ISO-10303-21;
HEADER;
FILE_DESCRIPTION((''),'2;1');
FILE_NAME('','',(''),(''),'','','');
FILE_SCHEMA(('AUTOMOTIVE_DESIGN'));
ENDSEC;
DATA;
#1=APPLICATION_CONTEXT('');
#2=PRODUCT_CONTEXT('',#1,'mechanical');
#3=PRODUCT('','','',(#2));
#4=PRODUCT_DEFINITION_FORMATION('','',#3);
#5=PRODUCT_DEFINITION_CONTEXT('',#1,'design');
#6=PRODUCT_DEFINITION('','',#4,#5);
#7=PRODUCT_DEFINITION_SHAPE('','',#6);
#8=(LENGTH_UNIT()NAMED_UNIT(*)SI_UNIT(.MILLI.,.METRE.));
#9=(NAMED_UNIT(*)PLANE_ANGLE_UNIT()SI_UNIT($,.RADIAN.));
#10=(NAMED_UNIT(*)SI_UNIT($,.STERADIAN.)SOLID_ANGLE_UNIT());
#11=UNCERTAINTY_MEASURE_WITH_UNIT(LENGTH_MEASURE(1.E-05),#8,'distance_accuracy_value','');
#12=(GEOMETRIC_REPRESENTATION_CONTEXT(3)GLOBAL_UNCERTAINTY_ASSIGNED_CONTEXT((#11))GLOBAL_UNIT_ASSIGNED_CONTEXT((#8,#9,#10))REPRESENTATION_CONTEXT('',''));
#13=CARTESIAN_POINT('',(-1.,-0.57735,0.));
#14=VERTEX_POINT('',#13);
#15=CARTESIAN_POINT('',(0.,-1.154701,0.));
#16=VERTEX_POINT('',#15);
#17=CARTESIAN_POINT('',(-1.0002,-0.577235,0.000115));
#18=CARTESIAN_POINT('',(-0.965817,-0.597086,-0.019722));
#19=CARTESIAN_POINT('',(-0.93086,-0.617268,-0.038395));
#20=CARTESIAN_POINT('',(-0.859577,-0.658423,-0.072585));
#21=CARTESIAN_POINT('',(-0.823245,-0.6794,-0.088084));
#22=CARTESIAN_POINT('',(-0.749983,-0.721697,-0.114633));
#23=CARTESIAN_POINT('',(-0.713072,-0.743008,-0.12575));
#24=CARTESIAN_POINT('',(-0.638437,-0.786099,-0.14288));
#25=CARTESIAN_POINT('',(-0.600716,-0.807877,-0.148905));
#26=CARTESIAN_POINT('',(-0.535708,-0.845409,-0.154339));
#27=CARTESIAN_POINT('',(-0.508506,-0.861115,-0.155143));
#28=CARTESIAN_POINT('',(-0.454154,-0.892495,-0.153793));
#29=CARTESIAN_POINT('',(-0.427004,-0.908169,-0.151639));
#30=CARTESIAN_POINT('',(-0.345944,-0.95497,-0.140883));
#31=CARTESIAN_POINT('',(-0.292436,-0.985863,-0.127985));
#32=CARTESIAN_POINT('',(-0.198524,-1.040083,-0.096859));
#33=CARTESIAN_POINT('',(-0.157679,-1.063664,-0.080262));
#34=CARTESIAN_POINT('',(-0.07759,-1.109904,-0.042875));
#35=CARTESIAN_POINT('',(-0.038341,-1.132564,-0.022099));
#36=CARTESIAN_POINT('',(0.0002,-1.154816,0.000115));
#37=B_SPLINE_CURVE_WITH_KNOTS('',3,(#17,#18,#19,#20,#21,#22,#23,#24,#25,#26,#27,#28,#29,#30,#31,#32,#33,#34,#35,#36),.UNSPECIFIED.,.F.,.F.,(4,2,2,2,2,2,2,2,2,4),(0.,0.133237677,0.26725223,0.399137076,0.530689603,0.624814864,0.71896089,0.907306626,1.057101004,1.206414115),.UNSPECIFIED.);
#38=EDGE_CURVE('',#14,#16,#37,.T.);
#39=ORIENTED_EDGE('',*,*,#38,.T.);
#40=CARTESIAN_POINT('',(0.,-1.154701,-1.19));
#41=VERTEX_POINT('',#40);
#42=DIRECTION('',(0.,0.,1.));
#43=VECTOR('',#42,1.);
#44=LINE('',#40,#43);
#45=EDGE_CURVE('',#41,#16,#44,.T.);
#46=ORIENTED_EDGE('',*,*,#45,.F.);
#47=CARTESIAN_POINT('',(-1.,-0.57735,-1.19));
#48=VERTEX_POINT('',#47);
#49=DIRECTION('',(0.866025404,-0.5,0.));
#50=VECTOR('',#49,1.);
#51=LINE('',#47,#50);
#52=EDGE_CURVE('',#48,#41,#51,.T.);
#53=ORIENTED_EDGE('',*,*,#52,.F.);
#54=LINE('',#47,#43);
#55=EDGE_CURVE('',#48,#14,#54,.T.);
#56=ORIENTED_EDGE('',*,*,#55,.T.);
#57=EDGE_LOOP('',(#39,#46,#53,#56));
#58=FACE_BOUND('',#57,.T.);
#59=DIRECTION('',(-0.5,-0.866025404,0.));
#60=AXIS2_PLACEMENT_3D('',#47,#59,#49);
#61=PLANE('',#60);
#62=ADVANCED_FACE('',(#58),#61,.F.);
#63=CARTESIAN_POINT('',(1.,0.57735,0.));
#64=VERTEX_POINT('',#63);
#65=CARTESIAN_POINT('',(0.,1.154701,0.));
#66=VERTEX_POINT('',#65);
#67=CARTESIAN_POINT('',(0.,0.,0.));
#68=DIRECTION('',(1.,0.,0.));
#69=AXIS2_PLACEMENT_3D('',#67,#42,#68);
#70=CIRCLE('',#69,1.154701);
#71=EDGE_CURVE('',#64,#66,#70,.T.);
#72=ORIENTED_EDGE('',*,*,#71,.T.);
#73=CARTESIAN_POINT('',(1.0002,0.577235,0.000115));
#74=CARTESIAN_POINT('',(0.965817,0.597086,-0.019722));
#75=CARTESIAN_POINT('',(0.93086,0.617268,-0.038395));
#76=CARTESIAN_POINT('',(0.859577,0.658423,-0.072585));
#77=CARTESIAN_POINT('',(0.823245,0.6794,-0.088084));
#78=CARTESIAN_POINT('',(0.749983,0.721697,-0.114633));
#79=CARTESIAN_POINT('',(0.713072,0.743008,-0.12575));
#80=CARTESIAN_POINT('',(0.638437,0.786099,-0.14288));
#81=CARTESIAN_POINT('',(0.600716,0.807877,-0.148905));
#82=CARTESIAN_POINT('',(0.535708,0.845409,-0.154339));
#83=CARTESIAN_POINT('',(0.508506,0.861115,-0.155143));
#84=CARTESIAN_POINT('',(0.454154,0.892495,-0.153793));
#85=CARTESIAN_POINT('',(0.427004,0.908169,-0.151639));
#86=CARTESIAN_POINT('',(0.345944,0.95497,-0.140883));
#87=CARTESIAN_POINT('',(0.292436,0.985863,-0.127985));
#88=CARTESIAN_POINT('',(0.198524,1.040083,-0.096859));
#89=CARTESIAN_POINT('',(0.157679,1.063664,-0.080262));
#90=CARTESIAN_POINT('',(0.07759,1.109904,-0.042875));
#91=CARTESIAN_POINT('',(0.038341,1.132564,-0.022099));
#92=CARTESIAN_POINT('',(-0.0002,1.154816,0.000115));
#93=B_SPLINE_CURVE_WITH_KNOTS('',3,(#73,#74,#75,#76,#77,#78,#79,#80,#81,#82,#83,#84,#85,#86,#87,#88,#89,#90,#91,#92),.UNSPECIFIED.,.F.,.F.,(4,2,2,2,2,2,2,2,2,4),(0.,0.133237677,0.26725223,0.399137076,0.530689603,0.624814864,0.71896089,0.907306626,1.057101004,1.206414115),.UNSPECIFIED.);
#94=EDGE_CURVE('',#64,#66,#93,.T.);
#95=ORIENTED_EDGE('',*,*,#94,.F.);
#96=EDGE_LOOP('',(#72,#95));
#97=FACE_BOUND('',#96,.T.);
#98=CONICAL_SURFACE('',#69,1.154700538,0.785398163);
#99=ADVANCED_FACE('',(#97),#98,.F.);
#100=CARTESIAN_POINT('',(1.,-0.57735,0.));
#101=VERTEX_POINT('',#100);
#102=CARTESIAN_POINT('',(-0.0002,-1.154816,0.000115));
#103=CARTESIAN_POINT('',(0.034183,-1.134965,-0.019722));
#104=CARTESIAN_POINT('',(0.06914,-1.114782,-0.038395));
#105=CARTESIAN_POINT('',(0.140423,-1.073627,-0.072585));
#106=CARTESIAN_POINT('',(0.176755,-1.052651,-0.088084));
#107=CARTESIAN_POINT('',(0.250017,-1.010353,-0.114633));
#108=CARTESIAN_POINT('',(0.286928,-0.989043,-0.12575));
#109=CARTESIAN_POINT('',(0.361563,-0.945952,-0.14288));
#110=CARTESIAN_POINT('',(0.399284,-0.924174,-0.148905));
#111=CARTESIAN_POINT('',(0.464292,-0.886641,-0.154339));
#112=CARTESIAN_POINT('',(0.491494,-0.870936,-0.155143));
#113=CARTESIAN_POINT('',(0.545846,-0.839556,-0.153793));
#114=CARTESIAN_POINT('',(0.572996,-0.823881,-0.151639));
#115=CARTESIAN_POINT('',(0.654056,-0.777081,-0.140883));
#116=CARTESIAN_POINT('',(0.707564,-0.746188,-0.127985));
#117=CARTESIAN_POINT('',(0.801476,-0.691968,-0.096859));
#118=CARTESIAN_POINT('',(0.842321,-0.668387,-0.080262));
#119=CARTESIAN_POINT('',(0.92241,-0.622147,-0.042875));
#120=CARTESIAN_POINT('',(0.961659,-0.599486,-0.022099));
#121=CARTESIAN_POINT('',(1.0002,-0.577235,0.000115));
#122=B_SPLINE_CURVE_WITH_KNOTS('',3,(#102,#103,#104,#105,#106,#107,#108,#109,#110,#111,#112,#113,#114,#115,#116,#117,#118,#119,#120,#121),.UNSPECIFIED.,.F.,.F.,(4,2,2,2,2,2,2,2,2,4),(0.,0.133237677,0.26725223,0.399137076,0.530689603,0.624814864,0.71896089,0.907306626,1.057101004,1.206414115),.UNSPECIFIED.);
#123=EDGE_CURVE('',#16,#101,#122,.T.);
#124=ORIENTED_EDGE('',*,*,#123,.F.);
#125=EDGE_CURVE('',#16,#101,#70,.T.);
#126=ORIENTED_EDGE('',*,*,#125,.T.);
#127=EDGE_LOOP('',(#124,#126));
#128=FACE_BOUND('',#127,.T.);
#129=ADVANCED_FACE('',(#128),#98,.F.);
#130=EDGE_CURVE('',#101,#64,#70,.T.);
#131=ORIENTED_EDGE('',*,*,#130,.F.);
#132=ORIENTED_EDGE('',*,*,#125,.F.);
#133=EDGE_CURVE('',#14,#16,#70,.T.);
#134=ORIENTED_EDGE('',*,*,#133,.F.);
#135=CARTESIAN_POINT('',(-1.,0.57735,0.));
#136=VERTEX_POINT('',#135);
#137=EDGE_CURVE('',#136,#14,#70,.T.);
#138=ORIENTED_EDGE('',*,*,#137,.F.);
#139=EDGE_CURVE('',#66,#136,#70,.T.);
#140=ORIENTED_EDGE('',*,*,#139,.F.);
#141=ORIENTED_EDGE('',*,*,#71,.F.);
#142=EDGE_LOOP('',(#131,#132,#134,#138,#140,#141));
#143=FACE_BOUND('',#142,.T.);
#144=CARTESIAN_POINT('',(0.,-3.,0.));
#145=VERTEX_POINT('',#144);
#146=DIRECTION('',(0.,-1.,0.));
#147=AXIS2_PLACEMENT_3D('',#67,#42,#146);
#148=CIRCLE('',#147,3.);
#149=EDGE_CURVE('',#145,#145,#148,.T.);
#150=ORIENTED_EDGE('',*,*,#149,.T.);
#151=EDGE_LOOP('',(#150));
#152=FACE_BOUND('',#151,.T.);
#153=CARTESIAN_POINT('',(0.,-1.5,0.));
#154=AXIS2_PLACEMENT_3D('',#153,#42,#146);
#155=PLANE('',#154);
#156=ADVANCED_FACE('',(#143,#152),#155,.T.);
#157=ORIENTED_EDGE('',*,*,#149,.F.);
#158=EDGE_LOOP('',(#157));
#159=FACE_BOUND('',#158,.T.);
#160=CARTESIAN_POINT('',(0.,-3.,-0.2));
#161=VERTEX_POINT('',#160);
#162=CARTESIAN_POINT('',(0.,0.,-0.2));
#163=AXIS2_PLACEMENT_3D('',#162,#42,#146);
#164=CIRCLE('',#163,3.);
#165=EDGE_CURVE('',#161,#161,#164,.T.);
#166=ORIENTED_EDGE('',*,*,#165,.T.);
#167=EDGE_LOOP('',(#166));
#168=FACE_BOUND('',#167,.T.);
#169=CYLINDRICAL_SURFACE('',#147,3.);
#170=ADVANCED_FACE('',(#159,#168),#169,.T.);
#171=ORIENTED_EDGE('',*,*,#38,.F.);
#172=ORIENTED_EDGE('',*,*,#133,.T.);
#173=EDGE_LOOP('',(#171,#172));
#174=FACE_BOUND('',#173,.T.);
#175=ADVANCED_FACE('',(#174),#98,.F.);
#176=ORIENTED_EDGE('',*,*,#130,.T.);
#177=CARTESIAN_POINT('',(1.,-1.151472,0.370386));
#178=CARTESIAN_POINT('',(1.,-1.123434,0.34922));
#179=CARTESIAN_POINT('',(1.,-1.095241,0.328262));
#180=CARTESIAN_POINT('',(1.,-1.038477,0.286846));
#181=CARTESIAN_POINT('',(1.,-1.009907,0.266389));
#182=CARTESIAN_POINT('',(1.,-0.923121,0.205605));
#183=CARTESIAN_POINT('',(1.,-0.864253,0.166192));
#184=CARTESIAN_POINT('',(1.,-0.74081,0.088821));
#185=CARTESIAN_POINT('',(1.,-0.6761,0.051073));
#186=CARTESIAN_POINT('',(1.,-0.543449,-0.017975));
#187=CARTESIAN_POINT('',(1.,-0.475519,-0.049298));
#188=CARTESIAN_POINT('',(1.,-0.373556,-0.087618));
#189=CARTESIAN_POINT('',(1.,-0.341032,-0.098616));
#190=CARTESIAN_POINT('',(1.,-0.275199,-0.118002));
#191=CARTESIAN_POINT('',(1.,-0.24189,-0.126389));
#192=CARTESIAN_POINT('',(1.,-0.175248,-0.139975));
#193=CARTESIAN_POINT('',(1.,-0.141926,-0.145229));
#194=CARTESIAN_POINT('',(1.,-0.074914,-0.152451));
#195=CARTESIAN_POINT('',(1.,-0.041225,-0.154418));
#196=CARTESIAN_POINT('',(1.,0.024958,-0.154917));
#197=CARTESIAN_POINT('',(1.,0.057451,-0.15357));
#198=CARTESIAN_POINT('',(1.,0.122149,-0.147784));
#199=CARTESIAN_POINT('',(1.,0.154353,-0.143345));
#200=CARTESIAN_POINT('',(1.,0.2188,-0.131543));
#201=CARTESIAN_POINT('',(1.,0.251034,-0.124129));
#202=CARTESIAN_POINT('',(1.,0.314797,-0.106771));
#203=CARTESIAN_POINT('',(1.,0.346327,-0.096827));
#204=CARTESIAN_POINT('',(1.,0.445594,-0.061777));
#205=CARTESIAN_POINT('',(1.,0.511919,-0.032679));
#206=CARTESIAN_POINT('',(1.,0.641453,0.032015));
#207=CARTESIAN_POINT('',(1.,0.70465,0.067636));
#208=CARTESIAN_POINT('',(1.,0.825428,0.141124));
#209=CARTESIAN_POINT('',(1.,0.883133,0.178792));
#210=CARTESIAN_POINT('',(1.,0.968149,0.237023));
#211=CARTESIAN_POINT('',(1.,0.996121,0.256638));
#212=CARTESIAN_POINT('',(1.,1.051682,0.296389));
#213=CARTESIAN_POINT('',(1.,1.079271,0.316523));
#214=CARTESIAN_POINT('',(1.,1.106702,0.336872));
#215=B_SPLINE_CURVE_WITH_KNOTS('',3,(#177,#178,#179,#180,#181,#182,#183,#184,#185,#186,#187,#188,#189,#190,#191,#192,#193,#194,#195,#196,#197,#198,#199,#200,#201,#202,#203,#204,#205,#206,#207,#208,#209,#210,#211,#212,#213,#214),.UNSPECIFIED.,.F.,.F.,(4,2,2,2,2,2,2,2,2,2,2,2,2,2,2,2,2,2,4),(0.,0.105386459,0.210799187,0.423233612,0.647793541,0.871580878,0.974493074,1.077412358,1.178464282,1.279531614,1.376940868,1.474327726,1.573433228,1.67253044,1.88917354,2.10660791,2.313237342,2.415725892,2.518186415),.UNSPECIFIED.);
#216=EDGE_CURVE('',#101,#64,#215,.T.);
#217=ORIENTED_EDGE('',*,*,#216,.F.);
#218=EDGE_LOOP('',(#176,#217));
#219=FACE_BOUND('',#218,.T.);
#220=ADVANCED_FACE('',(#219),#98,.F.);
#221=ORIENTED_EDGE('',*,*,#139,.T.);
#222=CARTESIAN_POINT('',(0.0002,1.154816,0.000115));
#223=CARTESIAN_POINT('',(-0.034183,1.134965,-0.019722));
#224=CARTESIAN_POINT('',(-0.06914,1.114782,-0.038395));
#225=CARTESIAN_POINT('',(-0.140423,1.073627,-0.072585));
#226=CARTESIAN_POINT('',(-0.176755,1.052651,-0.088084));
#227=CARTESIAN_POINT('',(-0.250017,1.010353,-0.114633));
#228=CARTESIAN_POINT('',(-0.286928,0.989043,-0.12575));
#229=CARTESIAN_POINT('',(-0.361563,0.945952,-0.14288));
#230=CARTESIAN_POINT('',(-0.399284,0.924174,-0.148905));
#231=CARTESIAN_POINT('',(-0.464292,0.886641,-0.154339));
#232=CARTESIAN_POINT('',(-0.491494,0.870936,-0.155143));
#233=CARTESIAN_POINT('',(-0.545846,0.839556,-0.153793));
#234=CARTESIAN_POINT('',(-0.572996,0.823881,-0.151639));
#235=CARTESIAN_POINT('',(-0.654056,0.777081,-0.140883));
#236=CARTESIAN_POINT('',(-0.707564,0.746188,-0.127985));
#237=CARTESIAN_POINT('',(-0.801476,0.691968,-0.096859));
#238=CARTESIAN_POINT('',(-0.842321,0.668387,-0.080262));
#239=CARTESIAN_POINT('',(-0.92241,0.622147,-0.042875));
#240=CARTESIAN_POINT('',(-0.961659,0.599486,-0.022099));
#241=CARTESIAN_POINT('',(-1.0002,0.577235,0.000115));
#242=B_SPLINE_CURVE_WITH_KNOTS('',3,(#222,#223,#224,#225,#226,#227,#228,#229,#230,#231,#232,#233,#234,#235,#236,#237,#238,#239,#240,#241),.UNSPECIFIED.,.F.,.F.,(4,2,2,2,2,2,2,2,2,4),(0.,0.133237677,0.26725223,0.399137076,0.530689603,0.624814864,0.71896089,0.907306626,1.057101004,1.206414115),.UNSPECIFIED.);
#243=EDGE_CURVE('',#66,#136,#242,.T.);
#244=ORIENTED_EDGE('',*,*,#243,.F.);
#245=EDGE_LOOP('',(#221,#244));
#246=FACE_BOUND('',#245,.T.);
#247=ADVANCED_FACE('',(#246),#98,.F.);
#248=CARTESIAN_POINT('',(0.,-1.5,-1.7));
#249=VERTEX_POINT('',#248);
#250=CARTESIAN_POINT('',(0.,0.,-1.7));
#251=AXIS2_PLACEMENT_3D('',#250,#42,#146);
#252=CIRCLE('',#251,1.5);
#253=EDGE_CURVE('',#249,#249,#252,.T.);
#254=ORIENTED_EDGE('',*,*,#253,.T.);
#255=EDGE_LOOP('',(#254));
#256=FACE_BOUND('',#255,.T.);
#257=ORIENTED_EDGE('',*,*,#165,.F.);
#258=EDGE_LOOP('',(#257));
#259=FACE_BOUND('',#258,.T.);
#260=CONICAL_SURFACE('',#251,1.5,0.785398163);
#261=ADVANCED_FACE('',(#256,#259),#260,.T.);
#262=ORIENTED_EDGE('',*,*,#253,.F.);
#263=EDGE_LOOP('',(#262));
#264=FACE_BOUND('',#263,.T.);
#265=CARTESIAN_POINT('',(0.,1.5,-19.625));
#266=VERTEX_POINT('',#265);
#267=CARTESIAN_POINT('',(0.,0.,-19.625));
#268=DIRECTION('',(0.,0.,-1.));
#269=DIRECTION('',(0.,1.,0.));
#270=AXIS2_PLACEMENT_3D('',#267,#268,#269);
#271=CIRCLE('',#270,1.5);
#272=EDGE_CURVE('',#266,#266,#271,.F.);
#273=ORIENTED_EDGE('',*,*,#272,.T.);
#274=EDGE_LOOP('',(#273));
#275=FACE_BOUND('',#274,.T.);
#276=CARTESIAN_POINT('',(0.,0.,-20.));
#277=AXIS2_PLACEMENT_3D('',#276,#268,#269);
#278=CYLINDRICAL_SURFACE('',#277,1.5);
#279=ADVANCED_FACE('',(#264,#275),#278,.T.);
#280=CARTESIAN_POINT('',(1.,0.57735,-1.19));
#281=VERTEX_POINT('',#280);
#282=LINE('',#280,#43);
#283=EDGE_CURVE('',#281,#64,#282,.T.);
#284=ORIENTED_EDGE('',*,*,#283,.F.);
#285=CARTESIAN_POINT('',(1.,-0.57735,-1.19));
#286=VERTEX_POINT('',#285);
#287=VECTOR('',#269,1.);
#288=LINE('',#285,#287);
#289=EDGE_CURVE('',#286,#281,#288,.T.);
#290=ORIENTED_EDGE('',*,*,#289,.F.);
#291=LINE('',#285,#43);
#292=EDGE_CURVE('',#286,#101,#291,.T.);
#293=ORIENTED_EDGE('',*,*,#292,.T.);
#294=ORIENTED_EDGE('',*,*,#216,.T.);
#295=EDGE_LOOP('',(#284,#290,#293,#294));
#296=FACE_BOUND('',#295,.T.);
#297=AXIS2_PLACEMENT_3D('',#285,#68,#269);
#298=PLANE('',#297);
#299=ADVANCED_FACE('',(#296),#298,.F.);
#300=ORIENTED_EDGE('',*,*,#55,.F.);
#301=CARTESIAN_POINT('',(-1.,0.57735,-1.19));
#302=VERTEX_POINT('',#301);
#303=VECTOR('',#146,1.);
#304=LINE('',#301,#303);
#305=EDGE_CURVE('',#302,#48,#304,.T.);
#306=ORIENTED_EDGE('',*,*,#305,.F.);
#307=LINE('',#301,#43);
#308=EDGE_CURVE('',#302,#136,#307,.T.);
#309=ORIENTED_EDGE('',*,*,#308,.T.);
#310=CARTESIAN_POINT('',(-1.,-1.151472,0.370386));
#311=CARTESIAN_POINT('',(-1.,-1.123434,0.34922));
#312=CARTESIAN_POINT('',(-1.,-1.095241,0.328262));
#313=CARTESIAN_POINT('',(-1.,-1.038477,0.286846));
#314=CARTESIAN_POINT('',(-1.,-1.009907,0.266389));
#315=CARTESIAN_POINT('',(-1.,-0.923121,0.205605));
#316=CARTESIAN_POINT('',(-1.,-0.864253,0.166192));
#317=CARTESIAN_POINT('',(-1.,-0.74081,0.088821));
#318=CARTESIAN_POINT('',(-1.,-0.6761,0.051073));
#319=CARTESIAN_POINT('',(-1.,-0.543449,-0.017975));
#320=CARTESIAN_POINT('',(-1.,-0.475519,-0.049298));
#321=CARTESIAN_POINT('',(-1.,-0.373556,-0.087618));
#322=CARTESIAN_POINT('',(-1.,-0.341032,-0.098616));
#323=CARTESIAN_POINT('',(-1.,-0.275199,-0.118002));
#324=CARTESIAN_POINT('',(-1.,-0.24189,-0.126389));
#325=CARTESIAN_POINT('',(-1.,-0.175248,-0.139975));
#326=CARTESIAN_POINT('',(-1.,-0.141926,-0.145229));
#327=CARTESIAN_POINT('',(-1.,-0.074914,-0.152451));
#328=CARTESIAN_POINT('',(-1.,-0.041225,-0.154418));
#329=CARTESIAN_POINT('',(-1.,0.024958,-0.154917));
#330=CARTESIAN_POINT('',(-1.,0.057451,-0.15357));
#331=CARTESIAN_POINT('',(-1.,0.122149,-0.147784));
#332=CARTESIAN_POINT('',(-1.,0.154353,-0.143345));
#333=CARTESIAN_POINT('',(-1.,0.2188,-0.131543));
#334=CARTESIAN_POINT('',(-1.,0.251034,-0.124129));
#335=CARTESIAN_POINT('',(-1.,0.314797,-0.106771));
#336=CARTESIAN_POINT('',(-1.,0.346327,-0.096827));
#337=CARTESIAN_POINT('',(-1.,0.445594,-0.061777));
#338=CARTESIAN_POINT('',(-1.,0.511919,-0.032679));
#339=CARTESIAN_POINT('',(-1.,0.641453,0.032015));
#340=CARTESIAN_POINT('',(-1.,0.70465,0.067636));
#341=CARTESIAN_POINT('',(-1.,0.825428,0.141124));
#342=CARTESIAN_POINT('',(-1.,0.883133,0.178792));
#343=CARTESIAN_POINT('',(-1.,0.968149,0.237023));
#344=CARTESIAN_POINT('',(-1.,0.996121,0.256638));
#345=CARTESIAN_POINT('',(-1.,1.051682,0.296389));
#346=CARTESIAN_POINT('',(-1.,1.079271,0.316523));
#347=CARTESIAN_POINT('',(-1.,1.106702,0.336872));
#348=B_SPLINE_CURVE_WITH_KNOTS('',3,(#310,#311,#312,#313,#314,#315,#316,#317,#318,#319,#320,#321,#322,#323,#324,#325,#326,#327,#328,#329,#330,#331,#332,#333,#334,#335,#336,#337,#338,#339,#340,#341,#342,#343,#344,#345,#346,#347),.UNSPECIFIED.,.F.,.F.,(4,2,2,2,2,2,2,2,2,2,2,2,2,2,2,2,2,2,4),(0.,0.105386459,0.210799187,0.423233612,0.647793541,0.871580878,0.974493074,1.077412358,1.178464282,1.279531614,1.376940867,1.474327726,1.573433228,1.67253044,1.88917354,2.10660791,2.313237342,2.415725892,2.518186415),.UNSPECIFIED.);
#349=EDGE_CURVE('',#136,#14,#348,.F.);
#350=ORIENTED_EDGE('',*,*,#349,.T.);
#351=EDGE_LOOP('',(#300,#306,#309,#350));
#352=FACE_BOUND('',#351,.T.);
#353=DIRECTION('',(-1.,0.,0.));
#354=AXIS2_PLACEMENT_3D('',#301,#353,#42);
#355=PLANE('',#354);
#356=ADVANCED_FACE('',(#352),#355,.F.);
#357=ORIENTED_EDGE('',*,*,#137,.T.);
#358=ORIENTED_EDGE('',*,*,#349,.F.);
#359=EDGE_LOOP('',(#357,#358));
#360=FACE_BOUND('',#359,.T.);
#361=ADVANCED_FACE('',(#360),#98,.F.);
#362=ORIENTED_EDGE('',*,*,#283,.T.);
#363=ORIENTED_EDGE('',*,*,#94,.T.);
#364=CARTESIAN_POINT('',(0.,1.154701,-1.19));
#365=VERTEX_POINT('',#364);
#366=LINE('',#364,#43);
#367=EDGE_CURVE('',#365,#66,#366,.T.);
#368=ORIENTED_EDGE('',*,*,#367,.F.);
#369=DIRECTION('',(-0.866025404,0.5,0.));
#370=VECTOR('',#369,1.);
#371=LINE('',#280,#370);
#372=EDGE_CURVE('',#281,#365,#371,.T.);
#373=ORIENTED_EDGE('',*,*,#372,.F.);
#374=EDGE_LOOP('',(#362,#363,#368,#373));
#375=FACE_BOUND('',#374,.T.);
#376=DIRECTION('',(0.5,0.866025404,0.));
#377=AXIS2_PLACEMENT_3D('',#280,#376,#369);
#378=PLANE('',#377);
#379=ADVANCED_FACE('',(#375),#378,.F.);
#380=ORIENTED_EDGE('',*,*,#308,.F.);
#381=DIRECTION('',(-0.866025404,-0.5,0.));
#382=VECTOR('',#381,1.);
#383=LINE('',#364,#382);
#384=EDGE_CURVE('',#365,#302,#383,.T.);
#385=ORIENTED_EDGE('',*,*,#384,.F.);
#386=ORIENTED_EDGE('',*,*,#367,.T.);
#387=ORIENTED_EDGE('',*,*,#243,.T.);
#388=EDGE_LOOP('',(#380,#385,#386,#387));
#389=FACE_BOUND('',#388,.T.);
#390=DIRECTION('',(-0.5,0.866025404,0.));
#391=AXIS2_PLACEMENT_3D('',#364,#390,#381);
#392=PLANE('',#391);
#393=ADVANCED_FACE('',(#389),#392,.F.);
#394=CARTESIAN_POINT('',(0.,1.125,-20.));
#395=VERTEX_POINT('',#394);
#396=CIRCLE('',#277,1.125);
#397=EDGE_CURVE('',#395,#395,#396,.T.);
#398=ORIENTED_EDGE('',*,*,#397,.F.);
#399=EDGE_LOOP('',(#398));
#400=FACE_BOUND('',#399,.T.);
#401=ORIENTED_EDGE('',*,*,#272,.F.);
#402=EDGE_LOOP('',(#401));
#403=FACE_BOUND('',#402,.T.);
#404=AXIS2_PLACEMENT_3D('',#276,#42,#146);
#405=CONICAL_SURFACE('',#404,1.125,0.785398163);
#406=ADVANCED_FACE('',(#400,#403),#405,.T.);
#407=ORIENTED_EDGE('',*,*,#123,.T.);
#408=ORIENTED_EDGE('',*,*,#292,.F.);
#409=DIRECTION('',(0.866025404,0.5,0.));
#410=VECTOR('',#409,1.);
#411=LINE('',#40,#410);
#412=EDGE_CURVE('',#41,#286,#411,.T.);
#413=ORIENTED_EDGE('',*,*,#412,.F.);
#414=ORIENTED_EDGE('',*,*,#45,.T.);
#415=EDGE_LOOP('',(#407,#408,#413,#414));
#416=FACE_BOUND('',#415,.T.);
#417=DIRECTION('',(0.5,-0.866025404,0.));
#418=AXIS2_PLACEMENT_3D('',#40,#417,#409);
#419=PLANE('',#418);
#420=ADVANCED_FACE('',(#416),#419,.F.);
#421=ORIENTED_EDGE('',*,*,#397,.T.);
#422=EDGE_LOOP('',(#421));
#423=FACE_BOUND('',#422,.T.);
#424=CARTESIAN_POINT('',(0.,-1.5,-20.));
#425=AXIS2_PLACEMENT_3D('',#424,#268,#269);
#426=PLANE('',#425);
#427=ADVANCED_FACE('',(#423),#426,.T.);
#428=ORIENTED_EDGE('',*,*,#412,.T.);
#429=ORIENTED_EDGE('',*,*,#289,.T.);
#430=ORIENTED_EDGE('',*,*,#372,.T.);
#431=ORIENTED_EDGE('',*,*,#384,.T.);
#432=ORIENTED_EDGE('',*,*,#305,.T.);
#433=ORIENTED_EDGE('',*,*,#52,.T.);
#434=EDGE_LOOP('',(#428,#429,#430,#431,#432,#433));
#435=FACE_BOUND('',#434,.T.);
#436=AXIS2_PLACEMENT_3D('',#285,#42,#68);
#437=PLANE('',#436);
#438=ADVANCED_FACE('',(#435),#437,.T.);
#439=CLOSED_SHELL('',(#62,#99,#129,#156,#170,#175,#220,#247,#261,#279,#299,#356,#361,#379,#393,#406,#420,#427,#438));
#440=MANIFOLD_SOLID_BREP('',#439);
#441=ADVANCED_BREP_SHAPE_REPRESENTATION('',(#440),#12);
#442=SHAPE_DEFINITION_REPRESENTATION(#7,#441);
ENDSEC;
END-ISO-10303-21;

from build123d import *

# Parameters (mm, degrees)
SKETCH1_W          = 20
SKETCH1_H          = 1.5
CHAMFER1_SIZE      = 0.375
CUT_EXTRUDE2_DEPTH = 1.19


with BuildPart() as part:
    # Sketch1 → Revolve1 (revolve)
    with BuildSketch(Plane(origin=(0, 0, 0), x_dir=(0, 0, -1), z_dir=(1, 0, 0))):
        with Locations((10, 0.75)):
            Rectangle(SKETCH1_W, SKETCH1_H)
    revolve(axis=Axis((0, 0, -20), (0, 0, 1)))

    # Chamfer1
    chamfer1_edges = [part.edges().sort_by_distance(p)[0] for p in [
        (0, -1.5, -20),
    ]]
    chamfer(chamfer1_edges, length=CHAMFER1_SIZE)

    # Sketch7 → Revolve2 (revolve)
    with BuildSketch(Plane(origin=(0, 0, 0), x_dir=(0, 0, -1), z_dir=(1, 0, 0)), mode=Mode.PRIVATE) as revolve2_sk:
        Polygon((0, 3), (0.2, 3), (1.7, 1.5), (1.7, 0), (0, 0), align=None)
    revolve(revolve2_sk.sketch.rotate(Axis((0, 0, 0), (0, 0, -1)), 180), axis=Axis((0, 0, 0), (0, 0, -1)))

    # Boss-Extrude1 cone 1 section (through the dimple's axis) → Boss-Extrude1 (revolve)
    with BuildSketch(Plane(origin=(0, 0, -1.7), x_dir=(0, -1, 0), z_dir=(1, 0, 0))):
        Polygon((0, 0), (1.5, 0), (0, 1.5), align=None)
    revolve(axis=Axis((0, 0, -1.7), (0, 0, -1)))

    # Sketch5 → Cut-Extrude2 (cut)
    with BuildSketch(Plane.XY):
        Polygon((1, -0.577350269), (1, 0.577350269), (0, 1.154700538), (-1, 0.577350269), (-1, -0.577350269), (0, -1.154700538), align=None)
    extrude(amount=-CUT_EXTRUDE2_DEPTH, mode=Mode.SUBTRACT)

    # Cut-Extrude3 cone 1 section (through the dimple's axis) → Cut-Extrude3 (revolve, cut)
    with BuildSketch(Plane(origin=(0, 0, 0), x_dir=(0, -1, 0), z_dir=(1, 0, 0))):
        Polygon((0, 0), (1.154700538, 0), (0, 1.154700538), align=None)
    revolve(axis=Axis((0, 0, 0), (0, 0, -1)), mode=Mode.SUBTRACT)


solid = part.part
